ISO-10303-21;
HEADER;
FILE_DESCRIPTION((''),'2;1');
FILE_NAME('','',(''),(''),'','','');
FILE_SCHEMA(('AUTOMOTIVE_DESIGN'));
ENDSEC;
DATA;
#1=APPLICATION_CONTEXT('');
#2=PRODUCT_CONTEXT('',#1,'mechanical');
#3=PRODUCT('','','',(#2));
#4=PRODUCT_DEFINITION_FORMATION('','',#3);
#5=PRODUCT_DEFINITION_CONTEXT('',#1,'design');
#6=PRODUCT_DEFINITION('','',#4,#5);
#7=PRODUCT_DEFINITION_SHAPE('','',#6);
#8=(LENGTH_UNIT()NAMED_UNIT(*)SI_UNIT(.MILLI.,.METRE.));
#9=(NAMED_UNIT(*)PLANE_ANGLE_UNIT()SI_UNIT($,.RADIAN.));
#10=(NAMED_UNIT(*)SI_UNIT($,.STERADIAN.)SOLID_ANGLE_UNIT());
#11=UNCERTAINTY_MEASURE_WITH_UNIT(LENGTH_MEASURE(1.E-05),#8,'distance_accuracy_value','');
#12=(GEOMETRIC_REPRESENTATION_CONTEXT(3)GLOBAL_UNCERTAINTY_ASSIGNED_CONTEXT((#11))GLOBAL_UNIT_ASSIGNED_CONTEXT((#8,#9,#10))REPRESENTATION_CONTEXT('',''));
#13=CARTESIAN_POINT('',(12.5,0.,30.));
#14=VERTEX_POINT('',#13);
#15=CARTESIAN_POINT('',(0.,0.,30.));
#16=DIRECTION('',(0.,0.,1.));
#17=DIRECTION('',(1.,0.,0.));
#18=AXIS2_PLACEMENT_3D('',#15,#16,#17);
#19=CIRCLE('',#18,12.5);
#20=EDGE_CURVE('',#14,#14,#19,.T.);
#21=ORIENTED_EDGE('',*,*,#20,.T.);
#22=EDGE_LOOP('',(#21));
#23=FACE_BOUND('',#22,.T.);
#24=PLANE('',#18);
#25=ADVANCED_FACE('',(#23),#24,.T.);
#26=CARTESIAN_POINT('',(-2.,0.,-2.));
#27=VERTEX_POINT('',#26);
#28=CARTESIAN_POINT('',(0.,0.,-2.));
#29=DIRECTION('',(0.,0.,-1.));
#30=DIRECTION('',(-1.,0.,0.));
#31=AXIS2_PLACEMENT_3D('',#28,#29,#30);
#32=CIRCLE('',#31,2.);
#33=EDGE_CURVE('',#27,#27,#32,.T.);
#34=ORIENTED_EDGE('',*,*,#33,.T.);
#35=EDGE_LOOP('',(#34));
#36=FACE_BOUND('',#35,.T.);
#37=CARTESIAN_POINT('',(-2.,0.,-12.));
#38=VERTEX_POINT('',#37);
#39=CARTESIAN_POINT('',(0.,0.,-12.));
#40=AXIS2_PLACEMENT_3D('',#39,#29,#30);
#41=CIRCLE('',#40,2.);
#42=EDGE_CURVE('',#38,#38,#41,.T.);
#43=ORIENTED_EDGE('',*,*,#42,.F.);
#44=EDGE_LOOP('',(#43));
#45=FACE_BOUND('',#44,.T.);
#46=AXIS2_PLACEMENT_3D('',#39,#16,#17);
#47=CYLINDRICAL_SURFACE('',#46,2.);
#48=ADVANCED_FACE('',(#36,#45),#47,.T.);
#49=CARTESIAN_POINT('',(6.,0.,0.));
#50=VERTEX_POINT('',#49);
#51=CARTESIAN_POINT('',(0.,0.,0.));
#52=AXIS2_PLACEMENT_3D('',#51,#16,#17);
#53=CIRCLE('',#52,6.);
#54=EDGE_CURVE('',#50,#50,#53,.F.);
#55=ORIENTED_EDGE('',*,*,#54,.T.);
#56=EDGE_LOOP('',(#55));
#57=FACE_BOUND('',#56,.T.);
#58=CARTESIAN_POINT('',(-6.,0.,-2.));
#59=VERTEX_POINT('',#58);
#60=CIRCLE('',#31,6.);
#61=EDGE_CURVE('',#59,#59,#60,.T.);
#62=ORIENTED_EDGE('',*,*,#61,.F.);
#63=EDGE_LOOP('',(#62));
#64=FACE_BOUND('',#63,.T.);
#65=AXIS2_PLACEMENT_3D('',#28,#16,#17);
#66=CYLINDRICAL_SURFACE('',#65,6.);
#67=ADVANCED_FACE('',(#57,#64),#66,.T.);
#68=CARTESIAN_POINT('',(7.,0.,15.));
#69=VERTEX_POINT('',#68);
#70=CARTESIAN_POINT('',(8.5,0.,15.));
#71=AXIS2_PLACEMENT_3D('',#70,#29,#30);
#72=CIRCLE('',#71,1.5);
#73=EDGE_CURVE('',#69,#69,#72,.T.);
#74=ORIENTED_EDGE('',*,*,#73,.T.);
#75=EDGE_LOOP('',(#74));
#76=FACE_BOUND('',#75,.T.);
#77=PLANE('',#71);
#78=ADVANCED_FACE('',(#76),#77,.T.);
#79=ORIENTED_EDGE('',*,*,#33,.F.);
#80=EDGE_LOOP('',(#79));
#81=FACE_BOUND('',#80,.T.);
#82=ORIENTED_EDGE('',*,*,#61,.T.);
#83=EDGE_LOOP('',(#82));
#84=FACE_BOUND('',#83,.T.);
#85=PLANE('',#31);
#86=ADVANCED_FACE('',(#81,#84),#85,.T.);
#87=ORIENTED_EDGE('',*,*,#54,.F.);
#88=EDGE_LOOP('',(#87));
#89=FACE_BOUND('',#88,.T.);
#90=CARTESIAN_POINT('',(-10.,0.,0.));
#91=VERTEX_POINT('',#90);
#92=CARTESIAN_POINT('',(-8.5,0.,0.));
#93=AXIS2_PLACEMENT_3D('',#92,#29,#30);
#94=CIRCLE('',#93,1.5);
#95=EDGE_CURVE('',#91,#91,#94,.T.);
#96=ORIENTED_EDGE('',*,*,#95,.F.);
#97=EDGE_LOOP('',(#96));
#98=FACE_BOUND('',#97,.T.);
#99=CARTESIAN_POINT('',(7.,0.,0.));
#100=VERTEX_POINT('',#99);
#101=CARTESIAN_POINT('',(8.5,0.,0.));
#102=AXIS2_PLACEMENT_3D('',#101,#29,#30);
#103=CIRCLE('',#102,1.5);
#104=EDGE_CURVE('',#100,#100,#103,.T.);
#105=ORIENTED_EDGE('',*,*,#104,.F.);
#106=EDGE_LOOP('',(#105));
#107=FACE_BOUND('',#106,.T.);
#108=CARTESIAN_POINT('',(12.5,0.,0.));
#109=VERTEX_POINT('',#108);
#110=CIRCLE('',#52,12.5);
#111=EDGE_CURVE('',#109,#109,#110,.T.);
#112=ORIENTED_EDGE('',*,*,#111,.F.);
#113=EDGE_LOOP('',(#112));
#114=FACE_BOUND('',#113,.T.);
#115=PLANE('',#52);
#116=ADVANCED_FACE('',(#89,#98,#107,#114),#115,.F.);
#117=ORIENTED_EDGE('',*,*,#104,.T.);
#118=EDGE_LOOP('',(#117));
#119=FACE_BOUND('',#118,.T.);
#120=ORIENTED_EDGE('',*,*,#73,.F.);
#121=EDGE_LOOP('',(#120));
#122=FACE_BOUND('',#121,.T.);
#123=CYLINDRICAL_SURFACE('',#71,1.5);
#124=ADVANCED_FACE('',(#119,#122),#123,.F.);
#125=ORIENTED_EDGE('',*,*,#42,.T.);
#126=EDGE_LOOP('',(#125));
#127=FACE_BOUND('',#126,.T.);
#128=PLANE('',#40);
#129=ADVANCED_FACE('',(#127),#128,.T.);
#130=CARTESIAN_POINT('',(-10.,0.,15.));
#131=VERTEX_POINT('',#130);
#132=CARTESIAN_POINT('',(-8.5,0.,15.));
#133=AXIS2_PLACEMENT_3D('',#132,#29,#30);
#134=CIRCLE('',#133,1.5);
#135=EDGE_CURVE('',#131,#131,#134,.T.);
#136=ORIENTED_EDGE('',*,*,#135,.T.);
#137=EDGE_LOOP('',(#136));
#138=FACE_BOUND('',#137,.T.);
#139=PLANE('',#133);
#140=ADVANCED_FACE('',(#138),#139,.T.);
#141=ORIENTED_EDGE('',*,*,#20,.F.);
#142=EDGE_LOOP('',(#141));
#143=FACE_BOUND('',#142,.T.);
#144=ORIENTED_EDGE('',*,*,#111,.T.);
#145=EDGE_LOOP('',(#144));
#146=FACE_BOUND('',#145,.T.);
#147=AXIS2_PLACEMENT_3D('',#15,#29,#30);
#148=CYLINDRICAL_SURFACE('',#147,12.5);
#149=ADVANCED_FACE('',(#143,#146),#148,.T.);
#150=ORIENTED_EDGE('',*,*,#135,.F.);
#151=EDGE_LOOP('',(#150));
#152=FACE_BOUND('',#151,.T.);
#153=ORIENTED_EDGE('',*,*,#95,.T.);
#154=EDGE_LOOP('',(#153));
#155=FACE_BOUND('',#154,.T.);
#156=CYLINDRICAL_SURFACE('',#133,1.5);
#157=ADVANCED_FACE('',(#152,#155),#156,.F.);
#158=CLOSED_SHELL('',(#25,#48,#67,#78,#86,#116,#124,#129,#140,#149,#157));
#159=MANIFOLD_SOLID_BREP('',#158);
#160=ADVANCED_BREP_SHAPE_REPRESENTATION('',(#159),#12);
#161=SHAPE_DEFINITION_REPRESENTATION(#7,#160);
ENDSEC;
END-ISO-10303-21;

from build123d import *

# Parameters (mm, degrees)
SKETCH_1_R          = 12.5
EXTRUDE_3_DEPTH     = 30
SKETCH_3_R          = 1.5
CUT_EXTRUDE_1_DEPTH = 15
SKETCH_4_R          = 6
EXTRUDE_4_DEPTH     = 2
SKETCH_5_R          = 2
EXTRUDE_5_DEPTH     = 10


with BuildPart() as part:
    # 草图1 → 凸台-拉伸3 (new body)
    with BuildSketch(Plane.XY):
        Circle(SKETCH_1_R)
    extrude(amount=EXTRUDE_3_DEPTH)

    # 草图3 → 切除-拉伸1 (cut)
    with BuildSketch(Plane(origin=(0, 0, 0), x_dir=(-1, 0, 0), z_dir=(0, 0, -1))):
        with Locations((8.5, 0)):
            Circle(SKETCH_3_R)
        with Locations((-8.5, 0)):
            Circle(SKETCH_3_R)
    extrude(amount=-CUT_EXTRUDE_1_DEPTH, mode=Mode.SUBTRACT)

    # 草图4 → 凸台-拉伸4 (add)
    with BuildSketch(Plane(origin=(0, 0, 0), x_dir=(-1, 0, 0), z_dir=(0, 0, -1))):
        with Locations(Location((0, 0, 0), (0, 0, 180))):
            Circle(SKETCH_4_R)
    extrude(amount=EXTRUDE_4_DEPTH)

    # 草图5 → 凸台-拉伸5 (add)
    with BuildSketch(Plane(origin=(0, 0, -2), x_dir=(-1, 0, 0), z_dir=(0, 0, -1))):
        Circle(SKETCH_5_R)
    extrude(amount=EXTRUDE_5_DEPTH)


solid = part.part
